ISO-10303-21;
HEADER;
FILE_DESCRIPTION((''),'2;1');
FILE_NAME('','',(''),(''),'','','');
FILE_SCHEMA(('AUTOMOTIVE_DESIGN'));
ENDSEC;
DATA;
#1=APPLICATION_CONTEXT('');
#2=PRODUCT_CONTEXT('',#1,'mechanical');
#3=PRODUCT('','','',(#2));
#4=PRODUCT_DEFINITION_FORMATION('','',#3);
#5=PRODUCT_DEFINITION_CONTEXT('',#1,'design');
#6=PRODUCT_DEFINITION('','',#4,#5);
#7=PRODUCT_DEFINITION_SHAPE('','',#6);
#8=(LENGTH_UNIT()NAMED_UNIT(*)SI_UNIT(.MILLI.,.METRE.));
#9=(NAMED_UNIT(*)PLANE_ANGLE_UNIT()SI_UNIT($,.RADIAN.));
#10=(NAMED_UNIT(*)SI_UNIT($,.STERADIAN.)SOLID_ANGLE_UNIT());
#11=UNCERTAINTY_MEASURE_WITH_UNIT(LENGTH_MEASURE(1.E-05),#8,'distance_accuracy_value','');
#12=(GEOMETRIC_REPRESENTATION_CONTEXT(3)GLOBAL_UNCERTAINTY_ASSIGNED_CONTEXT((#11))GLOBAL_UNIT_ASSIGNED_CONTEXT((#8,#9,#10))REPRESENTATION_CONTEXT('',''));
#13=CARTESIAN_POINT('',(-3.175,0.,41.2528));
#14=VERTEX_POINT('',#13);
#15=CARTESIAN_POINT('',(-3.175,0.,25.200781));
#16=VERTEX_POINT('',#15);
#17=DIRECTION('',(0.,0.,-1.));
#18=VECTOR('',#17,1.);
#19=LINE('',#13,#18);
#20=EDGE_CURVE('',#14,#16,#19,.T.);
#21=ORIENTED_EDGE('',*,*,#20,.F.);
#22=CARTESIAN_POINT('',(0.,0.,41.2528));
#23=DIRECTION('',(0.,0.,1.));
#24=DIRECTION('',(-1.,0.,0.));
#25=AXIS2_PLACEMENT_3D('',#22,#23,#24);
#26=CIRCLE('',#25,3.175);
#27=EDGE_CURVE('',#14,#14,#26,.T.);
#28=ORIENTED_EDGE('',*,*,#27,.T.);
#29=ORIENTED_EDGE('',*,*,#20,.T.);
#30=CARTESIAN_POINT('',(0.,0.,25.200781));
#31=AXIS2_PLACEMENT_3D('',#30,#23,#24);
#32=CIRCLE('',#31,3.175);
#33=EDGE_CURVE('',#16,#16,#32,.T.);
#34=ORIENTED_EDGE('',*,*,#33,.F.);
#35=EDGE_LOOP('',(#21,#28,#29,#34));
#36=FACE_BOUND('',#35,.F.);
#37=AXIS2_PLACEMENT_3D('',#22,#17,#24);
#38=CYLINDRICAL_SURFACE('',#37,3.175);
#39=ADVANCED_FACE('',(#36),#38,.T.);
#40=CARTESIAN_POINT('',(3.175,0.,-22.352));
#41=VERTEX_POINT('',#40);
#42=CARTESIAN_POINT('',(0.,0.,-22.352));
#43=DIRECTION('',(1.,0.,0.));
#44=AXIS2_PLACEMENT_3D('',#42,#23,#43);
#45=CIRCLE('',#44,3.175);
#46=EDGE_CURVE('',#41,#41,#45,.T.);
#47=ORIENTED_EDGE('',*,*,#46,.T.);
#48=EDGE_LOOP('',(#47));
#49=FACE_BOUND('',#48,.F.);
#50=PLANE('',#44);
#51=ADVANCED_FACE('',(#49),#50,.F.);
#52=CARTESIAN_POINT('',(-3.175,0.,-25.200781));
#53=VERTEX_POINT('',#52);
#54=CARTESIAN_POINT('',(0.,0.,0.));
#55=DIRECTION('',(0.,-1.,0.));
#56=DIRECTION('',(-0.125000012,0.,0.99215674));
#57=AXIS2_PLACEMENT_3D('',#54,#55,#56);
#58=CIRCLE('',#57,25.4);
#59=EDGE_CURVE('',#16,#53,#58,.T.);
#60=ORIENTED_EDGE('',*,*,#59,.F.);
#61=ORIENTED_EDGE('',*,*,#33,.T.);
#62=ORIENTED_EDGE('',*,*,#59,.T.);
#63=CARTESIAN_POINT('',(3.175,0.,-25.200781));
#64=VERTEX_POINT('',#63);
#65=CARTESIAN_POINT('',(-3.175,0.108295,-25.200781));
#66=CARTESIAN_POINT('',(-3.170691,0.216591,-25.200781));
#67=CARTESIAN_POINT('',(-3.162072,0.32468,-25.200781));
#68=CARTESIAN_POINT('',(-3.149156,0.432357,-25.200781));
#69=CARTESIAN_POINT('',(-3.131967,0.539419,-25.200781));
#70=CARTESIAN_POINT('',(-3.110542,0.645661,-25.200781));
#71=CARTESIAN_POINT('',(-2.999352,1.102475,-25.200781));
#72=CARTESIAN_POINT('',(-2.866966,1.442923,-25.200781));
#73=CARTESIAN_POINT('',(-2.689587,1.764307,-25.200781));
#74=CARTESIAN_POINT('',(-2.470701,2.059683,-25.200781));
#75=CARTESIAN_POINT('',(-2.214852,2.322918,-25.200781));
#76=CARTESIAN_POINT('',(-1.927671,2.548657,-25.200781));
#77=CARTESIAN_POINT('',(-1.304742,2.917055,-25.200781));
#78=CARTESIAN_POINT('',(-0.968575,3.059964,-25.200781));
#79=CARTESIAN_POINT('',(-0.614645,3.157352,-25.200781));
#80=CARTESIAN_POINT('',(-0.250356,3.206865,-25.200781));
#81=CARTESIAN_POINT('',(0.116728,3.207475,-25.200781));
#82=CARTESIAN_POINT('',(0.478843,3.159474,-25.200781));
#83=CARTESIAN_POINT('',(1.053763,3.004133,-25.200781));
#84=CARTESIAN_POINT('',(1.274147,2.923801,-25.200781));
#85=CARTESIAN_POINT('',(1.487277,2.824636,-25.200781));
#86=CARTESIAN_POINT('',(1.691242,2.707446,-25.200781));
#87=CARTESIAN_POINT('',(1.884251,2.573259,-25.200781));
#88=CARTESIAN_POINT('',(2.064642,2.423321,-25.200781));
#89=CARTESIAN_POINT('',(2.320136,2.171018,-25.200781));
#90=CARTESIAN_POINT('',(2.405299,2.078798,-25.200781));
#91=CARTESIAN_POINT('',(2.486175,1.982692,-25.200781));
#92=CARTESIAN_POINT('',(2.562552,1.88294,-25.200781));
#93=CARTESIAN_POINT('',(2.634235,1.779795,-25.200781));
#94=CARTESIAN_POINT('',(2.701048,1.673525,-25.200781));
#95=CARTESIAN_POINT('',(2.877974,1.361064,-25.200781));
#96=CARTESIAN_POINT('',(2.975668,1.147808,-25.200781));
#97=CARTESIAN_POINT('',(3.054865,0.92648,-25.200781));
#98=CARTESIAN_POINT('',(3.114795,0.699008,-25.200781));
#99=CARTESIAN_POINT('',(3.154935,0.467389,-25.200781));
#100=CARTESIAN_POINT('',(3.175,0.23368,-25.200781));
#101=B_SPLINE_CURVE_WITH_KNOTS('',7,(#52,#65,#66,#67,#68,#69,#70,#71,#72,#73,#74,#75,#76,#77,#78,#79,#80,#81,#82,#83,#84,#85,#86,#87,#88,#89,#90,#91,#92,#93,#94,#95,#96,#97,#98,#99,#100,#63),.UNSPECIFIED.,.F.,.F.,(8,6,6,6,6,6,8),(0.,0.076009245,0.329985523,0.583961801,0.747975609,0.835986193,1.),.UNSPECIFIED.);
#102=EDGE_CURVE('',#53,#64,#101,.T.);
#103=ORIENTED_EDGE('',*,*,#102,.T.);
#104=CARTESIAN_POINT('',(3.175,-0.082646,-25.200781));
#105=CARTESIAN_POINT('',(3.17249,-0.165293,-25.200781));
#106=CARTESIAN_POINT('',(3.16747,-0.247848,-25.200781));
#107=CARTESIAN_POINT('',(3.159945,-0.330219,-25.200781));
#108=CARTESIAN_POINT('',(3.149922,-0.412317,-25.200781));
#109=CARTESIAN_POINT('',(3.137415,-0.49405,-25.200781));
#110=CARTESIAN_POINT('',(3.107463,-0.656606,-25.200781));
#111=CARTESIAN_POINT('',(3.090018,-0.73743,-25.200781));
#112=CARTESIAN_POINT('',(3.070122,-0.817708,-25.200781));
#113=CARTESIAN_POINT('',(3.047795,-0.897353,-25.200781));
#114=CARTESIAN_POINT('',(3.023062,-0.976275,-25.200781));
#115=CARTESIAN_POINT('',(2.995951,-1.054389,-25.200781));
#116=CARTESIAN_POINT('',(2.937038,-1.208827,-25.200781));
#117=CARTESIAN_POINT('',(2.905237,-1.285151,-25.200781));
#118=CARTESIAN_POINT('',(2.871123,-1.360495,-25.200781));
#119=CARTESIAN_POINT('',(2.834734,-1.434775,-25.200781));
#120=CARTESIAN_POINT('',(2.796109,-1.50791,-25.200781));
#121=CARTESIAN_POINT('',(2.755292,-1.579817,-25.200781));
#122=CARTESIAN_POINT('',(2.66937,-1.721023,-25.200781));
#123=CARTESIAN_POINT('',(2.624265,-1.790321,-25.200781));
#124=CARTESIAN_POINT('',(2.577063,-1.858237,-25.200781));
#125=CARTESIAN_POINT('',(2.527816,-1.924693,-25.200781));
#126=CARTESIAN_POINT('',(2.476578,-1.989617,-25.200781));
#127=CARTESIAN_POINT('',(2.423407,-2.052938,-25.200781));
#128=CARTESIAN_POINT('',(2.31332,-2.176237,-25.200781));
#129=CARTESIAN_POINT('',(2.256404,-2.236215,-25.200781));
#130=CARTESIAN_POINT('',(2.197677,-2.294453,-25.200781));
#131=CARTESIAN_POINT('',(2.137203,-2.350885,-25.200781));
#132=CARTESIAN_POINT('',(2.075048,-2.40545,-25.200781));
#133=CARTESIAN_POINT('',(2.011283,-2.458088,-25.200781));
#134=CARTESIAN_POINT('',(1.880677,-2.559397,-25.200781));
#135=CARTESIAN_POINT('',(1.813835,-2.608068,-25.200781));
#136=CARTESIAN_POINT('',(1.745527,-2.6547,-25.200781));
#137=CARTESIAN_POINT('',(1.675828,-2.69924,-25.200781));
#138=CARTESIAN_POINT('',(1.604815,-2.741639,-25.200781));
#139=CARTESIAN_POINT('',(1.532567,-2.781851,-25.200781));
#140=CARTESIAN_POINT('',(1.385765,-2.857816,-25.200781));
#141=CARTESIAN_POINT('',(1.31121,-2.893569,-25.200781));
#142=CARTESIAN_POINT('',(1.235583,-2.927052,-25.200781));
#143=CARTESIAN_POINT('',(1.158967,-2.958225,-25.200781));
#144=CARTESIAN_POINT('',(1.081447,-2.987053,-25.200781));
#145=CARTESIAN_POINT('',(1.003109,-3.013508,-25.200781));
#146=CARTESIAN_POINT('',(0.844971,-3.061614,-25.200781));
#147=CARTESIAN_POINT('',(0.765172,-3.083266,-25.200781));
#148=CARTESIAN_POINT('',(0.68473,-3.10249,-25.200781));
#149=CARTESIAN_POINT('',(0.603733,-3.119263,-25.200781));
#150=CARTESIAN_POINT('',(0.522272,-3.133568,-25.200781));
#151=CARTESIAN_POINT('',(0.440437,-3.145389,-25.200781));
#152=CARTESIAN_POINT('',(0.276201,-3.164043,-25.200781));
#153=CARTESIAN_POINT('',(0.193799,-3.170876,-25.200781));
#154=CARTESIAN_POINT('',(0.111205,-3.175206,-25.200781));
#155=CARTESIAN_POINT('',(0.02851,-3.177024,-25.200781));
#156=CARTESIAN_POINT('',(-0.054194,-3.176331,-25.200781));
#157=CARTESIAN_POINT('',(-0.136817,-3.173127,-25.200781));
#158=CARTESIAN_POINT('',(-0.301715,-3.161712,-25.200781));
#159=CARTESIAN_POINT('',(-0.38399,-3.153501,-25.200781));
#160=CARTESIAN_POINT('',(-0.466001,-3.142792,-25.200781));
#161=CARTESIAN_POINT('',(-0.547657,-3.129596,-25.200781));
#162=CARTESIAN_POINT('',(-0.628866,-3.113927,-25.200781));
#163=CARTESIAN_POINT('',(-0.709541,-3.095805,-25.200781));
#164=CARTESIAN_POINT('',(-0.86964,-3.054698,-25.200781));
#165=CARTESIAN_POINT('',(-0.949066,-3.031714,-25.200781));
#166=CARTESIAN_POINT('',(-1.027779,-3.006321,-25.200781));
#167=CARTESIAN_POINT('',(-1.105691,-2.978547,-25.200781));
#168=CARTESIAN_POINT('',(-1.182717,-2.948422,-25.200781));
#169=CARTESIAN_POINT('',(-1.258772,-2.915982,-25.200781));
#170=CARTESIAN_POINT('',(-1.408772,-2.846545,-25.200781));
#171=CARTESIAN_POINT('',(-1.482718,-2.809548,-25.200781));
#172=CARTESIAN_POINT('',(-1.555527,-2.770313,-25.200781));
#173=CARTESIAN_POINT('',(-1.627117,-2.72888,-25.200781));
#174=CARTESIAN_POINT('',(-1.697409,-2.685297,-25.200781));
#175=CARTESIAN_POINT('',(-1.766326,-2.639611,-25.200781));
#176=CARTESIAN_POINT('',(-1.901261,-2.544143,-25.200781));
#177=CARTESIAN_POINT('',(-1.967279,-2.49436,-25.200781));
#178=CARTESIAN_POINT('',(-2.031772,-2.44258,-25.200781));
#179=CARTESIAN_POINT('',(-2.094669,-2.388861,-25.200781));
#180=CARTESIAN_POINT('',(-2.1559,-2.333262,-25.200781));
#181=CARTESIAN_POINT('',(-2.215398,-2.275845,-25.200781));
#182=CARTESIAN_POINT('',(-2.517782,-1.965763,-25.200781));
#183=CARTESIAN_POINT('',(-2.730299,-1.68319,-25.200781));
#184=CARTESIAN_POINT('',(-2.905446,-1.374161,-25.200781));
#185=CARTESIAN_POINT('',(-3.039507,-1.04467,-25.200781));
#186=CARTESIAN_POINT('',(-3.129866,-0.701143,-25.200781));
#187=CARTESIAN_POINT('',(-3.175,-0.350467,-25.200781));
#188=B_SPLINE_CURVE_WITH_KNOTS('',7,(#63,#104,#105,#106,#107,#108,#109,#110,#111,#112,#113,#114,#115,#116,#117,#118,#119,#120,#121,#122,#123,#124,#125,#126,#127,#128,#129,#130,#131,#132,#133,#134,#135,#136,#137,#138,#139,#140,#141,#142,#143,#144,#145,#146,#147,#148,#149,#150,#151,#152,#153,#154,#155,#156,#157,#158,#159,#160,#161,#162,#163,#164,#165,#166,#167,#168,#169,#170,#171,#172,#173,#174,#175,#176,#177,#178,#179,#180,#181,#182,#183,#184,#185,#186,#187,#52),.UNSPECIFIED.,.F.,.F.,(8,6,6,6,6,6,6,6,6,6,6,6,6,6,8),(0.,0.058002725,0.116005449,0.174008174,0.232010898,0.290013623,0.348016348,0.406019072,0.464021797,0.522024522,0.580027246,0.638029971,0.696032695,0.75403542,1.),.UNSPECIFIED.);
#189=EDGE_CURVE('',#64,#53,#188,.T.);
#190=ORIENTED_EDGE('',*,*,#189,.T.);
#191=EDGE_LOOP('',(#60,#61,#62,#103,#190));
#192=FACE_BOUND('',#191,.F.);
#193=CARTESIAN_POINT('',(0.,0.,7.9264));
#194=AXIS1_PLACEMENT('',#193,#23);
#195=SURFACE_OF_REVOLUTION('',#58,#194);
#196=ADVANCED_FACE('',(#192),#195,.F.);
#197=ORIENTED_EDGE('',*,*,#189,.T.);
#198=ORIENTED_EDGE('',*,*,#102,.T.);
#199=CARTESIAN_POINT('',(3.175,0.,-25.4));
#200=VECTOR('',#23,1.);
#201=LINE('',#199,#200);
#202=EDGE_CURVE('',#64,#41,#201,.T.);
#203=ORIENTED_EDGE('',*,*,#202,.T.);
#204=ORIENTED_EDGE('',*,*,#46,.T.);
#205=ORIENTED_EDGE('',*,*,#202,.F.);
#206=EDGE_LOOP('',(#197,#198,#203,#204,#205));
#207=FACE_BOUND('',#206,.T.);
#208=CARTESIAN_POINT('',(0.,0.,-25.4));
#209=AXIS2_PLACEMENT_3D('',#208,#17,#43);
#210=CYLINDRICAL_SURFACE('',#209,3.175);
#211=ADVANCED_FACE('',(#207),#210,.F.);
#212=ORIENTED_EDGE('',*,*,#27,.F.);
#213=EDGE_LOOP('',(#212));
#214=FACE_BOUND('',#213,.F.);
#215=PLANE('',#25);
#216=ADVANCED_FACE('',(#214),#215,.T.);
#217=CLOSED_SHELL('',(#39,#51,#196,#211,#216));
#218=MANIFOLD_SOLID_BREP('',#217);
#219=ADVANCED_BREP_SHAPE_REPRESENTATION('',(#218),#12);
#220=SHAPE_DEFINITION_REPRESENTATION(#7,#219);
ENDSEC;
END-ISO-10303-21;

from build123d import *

# Parameters (mm, degrees)
F3_R     = 3.175
F4_DEPTH = 3.048


with BuildPart() as f1:
    # F0 (on Front) → F1 (revolve)
    with BuildSketch(Plane.XZ):
        with BuildLine():
            Line((-3.175, 41.2528), (-3.175, 25.200781))
            ThreePointArc((-3.175, 25.200781), (-25.350146, -1.590622), (0, -25.4))
            Line((0, -25.4), (0, 41.2528))
            Line((0, 41.2528), (-3.175, 41.2528))
        make_face()
    revolve(axis=Axis((0, 0, 7.9264), (0, 0, 1)))

    # F3 (on offset) → F4 (cut)
    with BuildSketch(Plane.XY.offset(-25.4)):
        Circle(F3_R)
    extrude(amount=F4_DEPTH, mode=Mode.SUBTRACT)


solid = f1.part
